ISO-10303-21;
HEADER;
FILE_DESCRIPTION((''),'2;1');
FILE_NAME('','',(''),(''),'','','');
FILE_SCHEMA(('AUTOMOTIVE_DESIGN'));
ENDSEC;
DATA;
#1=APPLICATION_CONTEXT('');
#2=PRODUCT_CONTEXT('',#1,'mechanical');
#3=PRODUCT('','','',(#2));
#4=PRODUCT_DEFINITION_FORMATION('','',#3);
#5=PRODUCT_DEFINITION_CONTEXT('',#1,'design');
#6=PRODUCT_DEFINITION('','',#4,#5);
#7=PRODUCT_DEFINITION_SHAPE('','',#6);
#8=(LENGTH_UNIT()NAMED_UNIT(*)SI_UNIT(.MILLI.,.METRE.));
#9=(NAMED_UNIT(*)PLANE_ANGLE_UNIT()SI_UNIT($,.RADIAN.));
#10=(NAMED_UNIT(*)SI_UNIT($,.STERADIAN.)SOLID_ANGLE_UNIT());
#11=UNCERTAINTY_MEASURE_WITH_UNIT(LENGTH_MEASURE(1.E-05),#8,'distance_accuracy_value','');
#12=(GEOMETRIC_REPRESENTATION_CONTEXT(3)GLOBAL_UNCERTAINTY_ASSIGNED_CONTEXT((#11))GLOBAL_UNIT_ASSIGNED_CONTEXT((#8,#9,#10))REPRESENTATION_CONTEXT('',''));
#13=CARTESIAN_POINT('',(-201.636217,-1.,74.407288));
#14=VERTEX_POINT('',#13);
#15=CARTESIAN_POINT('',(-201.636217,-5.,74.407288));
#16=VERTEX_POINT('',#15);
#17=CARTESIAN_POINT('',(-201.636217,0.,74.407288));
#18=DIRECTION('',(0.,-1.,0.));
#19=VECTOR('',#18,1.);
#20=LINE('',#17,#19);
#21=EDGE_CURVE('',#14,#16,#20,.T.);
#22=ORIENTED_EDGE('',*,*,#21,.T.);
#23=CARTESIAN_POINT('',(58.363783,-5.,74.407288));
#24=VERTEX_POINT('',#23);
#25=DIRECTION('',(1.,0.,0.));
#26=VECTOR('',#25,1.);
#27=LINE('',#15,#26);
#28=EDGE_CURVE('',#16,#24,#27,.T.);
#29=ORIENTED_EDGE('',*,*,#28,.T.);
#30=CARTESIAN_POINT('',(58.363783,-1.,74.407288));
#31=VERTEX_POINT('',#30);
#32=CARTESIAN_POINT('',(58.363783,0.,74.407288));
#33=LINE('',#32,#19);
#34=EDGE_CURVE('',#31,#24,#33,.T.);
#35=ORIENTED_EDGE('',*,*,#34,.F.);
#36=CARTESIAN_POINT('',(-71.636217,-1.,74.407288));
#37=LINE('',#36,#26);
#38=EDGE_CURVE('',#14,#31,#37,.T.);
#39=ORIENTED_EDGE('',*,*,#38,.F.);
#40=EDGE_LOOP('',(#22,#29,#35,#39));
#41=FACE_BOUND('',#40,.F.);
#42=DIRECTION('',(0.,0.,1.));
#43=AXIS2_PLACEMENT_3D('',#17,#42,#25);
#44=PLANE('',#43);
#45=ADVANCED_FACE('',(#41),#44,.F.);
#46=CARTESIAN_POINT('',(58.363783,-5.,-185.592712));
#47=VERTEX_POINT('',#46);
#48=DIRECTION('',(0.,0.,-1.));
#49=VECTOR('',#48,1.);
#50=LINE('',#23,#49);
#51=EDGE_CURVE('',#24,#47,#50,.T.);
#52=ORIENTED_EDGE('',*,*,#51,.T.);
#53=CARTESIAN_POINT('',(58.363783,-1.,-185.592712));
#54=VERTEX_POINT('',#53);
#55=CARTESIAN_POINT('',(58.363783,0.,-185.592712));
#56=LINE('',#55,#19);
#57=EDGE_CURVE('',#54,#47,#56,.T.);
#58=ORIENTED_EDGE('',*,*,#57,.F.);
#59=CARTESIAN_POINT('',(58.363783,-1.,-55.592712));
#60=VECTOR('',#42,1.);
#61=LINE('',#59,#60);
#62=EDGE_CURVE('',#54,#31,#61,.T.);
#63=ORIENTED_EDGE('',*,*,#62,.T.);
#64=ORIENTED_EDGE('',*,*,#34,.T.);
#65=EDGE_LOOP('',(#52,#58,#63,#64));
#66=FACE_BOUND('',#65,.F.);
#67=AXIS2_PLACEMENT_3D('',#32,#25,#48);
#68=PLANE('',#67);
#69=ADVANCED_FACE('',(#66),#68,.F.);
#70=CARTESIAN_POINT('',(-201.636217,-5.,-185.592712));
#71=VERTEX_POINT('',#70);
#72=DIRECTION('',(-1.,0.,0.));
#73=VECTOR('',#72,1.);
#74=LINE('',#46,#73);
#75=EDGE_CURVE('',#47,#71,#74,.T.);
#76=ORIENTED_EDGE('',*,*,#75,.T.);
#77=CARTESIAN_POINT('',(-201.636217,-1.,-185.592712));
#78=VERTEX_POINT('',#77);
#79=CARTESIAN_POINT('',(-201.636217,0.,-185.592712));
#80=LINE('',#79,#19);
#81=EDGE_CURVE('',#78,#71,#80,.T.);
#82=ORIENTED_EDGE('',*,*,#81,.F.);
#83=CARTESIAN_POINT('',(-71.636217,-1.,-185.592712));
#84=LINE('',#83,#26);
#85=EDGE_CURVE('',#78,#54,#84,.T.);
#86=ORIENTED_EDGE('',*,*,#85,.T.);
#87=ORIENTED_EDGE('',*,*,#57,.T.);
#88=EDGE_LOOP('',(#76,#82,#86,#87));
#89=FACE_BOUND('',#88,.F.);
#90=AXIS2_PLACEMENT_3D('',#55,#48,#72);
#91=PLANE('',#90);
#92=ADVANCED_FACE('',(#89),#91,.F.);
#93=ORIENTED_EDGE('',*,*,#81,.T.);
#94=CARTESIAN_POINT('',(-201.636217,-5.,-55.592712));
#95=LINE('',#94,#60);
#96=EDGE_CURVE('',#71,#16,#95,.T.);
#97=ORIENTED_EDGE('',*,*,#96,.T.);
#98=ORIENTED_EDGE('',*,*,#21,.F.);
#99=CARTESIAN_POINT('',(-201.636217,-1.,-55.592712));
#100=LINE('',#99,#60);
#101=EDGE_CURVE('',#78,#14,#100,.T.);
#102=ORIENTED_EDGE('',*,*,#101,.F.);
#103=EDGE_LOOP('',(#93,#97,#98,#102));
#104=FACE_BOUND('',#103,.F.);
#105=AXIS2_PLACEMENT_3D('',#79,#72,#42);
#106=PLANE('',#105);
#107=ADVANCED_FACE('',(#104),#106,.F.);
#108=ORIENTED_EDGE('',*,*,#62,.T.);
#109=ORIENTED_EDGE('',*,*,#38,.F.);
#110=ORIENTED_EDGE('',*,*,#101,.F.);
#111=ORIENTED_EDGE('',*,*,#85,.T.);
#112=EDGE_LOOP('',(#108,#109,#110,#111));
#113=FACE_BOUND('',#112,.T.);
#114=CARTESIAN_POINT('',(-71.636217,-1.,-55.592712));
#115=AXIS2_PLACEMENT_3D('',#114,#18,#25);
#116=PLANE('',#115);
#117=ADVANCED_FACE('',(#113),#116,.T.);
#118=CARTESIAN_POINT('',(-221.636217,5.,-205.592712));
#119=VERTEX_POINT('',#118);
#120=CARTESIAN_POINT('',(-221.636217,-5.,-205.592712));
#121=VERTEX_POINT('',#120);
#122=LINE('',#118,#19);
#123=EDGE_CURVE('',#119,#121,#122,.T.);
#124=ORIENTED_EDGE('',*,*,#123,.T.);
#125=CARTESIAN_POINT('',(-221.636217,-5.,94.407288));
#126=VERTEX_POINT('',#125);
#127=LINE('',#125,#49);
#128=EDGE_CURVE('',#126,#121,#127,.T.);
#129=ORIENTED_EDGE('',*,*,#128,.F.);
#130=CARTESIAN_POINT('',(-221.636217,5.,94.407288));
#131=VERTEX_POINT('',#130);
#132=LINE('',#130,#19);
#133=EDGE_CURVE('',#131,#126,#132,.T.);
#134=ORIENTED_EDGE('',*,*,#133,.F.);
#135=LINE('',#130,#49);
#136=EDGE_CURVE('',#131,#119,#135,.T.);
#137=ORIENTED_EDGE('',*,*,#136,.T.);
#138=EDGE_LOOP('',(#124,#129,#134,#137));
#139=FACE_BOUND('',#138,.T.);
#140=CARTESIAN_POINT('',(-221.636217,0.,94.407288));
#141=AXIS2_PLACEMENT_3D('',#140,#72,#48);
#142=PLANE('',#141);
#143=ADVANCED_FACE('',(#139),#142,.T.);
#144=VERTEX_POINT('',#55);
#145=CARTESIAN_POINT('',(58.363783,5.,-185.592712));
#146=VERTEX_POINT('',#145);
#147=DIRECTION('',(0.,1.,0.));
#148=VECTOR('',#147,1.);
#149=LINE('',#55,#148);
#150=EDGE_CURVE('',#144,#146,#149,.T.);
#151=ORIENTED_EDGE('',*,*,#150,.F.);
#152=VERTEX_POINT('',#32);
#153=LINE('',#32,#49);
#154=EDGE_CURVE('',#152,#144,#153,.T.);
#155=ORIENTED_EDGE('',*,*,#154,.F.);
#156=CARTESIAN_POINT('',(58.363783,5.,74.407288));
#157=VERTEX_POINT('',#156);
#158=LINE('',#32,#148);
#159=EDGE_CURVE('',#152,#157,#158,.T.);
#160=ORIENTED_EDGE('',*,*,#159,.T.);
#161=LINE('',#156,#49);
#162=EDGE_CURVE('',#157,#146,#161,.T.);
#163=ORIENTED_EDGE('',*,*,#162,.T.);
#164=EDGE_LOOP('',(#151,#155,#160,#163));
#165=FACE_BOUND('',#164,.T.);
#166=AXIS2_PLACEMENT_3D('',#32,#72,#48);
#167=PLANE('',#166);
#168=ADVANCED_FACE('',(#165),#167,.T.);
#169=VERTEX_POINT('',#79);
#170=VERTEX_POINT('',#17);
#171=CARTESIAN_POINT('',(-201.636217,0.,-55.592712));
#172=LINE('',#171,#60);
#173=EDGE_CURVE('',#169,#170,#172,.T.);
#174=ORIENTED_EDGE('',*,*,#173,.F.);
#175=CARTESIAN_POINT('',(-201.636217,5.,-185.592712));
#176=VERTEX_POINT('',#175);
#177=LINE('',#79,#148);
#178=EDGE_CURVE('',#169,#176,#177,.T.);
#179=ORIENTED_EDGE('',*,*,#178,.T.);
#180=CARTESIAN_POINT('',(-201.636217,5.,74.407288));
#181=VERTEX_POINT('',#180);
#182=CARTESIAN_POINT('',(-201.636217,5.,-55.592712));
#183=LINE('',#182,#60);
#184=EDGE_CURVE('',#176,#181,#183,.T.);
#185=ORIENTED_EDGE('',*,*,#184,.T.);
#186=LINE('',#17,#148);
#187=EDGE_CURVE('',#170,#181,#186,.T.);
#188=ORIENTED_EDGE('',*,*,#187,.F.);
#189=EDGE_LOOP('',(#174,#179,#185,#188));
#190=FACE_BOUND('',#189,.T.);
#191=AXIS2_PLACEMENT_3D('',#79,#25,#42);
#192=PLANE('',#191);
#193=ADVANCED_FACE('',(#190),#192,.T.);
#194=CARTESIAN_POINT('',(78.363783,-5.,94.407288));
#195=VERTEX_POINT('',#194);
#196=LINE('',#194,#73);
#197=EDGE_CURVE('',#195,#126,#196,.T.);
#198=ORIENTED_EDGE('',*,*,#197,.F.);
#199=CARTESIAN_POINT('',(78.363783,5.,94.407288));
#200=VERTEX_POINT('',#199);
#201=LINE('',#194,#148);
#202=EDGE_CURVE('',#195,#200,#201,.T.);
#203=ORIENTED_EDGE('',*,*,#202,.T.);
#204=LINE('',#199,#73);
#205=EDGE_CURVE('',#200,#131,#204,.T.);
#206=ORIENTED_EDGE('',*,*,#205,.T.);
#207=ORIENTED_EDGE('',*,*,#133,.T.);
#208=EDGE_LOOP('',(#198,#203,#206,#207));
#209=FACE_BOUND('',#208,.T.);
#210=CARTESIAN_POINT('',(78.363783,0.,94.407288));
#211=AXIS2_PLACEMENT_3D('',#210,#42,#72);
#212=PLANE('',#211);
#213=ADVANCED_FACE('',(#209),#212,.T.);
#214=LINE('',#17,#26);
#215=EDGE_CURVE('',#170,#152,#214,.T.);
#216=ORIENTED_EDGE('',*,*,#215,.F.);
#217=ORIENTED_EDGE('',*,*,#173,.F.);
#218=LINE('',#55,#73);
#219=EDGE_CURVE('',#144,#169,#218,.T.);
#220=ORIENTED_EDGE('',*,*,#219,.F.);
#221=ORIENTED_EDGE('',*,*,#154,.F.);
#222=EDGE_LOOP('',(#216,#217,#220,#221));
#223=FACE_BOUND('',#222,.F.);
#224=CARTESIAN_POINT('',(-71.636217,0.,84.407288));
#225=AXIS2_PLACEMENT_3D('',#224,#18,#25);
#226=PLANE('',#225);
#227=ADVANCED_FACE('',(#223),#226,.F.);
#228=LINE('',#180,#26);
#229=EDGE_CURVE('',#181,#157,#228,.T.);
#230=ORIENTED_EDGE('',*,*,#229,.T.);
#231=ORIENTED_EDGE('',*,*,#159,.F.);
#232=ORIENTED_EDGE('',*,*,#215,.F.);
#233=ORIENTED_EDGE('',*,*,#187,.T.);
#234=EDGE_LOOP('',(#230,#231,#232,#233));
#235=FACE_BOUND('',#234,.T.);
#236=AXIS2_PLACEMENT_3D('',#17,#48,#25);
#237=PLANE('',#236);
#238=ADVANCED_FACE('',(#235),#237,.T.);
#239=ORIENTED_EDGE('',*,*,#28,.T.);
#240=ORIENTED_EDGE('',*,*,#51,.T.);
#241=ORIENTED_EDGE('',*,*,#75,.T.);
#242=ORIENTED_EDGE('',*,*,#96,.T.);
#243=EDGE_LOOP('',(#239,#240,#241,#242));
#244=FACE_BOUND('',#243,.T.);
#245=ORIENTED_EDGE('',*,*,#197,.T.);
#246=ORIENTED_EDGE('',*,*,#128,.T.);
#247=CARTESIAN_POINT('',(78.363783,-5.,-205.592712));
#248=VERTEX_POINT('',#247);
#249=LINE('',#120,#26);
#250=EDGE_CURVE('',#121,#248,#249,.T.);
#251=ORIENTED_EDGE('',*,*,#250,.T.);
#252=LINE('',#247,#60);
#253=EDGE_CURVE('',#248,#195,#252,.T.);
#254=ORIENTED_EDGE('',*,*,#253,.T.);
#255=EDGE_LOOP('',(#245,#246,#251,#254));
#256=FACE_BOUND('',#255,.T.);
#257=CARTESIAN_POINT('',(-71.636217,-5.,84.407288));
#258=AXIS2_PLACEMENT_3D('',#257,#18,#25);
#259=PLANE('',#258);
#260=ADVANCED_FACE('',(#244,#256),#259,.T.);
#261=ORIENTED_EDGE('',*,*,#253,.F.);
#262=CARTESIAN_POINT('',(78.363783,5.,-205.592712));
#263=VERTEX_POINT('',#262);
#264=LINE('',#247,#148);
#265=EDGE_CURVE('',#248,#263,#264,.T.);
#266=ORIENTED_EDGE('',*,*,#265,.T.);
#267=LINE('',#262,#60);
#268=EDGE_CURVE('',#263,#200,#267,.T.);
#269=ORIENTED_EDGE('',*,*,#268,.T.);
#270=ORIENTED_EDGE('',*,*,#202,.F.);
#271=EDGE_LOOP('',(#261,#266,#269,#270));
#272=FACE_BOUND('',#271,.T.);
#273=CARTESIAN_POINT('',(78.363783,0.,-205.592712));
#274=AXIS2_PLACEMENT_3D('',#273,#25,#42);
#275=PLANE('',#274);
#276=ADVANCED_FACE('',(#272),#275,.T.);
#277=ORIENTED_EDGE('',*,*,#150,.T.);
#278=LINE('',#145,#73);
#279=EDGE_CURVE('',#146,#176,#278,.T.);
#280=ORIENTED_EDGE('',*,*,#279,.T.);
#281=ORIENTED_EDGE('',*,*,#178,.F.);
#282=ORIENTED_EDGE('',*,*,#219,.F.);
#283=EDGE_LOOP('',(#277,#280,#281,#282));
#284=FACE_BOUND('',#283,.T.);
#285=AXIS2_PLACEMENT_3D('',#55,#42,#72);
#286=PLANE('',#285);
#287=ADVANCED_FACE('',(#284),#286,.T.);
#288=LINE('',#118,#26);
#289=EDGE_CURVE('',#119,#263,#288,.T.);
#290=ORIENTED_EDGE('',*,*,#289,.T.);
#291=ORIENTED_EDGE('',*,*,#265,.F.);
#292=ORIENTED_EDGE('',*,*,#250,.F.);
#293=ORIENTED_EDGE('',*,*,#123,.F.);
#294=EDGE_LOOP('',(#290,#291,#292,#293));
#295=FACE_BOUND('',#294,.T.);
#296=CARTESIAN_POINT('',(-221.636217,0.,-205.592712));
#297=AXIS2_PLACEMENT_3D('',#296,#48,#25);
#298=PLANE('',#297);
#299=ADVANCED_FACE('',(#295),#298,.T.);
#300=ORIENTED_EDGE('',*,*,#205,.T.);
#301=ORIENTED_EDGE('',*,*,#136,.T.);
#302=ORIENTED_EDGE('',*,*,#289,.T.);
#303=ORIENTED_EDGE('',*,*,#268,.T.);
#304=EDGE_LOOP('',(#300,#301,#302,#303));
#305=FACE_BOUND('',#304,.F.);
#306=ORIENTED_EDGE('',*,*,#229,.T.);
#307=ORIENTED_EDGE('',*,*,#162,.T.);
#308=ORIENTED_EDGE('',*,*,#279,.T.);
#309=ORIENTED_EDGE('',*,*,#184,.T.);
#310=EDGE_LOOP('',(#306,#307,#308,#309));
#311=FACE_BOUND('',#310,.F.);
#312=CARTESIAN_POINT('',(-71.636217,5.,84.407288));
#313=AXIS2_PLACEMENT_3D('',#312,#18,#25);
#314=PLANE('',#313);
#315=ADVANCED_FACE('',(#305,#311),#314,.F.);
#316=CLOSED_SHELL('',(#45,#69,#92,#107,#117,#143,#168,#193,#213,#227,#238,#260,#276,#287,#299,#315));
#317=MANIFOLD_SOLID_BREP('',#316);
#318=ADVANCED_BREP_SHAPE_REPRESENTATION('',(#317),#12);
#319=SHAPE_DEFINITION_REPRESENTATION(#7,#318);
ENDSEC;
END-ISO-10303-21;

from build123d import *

# Parameters (mm, degrees)
F0_W     = 260
F0_H     = 260
F1_DEPTH = 1
F0_H_2   = 20
F0_W_2   = 20
F2_DEPTH = 5
F3_DEPTH = 5


with BuildPart() as f1:
    # F0 (on Front) → F1 (new body)
    with BuildSketch(Plane.XZ):
        with Locations((-71.63621746, -55.5927120769)):
            Rectangle(F0_W, F0_H)
    extrude(amount=F1_DEPTH)

    # F0 (on Front) → F2 (join)
    with BuildSketch(Plane.XZ):
        with Locations((-71.63621746, 84.4072879231)):
            Rectangle(F0_W, F0_H_2)
        with Locations((68.36378254, 84.4072879231)):
            Rectangle(F0_W_2, F0_H_2)
        with Locations((68.36378254, -55.5927120769)):
            Rectangle(F0_W_2, F0_H)
        with Locations((68.36378254, -195.5927120769)):
            Rectangle(F0_W_2, F0_H_2)
        with Locations((-71.63621746, -195.5927120769)):
            Rectangle(F0_W, F0_H_2)
        with Locations((-211.63621746, -195.5927120769)):
            Rectangle(F0_W_2, F0_H_2)
        with Locations((-211.63621746, -55.5927120769)):
            Rectangle(F0_W_2, F0_H)
        with Locations((-211.63621746, 84.4072879231)):
            Rectangle(F0_W_2, F0_H_2)
    extrude(amount=F2_DEPTH)

    # F0 (on Front) → F3 (join)
    with BuildSketch(Plane.XZ):
        with Locations((-71.63621746, 84.4072879231)):
            Rectangle(F0_W, F0_H_2)
        with Locations((68.36378254, 84.4072879231)):
            Rectangle(F0_W_2, F0_H_2)
        with Locations((68.36378254, -55.5927120769)):
            Rectangle(F0_W_2, F0_H)
        with Locations((68.36378254, -195.5927120769)):
            Rectangle(F0_W_2, F0_H_2)
        with Locations((-71.63621746, -195.5927120769)):
            Rectangle(F0_W, F0_H_2)
        with Locations((-211.63621746, -195.5927120769)):
            Rectangle(F0_W_2, F0_H_2)
        with Locations((-211.63621746, -55.5927120769)):
            Rectangle(F0_W_2, F0_H)
        with Locations((-211.63621746, 84.4072879231)):
            Rectangle(F0_W_2, F0_H_2)
    extrude(amount=-F3_DEPTH)


solid = f1.part
